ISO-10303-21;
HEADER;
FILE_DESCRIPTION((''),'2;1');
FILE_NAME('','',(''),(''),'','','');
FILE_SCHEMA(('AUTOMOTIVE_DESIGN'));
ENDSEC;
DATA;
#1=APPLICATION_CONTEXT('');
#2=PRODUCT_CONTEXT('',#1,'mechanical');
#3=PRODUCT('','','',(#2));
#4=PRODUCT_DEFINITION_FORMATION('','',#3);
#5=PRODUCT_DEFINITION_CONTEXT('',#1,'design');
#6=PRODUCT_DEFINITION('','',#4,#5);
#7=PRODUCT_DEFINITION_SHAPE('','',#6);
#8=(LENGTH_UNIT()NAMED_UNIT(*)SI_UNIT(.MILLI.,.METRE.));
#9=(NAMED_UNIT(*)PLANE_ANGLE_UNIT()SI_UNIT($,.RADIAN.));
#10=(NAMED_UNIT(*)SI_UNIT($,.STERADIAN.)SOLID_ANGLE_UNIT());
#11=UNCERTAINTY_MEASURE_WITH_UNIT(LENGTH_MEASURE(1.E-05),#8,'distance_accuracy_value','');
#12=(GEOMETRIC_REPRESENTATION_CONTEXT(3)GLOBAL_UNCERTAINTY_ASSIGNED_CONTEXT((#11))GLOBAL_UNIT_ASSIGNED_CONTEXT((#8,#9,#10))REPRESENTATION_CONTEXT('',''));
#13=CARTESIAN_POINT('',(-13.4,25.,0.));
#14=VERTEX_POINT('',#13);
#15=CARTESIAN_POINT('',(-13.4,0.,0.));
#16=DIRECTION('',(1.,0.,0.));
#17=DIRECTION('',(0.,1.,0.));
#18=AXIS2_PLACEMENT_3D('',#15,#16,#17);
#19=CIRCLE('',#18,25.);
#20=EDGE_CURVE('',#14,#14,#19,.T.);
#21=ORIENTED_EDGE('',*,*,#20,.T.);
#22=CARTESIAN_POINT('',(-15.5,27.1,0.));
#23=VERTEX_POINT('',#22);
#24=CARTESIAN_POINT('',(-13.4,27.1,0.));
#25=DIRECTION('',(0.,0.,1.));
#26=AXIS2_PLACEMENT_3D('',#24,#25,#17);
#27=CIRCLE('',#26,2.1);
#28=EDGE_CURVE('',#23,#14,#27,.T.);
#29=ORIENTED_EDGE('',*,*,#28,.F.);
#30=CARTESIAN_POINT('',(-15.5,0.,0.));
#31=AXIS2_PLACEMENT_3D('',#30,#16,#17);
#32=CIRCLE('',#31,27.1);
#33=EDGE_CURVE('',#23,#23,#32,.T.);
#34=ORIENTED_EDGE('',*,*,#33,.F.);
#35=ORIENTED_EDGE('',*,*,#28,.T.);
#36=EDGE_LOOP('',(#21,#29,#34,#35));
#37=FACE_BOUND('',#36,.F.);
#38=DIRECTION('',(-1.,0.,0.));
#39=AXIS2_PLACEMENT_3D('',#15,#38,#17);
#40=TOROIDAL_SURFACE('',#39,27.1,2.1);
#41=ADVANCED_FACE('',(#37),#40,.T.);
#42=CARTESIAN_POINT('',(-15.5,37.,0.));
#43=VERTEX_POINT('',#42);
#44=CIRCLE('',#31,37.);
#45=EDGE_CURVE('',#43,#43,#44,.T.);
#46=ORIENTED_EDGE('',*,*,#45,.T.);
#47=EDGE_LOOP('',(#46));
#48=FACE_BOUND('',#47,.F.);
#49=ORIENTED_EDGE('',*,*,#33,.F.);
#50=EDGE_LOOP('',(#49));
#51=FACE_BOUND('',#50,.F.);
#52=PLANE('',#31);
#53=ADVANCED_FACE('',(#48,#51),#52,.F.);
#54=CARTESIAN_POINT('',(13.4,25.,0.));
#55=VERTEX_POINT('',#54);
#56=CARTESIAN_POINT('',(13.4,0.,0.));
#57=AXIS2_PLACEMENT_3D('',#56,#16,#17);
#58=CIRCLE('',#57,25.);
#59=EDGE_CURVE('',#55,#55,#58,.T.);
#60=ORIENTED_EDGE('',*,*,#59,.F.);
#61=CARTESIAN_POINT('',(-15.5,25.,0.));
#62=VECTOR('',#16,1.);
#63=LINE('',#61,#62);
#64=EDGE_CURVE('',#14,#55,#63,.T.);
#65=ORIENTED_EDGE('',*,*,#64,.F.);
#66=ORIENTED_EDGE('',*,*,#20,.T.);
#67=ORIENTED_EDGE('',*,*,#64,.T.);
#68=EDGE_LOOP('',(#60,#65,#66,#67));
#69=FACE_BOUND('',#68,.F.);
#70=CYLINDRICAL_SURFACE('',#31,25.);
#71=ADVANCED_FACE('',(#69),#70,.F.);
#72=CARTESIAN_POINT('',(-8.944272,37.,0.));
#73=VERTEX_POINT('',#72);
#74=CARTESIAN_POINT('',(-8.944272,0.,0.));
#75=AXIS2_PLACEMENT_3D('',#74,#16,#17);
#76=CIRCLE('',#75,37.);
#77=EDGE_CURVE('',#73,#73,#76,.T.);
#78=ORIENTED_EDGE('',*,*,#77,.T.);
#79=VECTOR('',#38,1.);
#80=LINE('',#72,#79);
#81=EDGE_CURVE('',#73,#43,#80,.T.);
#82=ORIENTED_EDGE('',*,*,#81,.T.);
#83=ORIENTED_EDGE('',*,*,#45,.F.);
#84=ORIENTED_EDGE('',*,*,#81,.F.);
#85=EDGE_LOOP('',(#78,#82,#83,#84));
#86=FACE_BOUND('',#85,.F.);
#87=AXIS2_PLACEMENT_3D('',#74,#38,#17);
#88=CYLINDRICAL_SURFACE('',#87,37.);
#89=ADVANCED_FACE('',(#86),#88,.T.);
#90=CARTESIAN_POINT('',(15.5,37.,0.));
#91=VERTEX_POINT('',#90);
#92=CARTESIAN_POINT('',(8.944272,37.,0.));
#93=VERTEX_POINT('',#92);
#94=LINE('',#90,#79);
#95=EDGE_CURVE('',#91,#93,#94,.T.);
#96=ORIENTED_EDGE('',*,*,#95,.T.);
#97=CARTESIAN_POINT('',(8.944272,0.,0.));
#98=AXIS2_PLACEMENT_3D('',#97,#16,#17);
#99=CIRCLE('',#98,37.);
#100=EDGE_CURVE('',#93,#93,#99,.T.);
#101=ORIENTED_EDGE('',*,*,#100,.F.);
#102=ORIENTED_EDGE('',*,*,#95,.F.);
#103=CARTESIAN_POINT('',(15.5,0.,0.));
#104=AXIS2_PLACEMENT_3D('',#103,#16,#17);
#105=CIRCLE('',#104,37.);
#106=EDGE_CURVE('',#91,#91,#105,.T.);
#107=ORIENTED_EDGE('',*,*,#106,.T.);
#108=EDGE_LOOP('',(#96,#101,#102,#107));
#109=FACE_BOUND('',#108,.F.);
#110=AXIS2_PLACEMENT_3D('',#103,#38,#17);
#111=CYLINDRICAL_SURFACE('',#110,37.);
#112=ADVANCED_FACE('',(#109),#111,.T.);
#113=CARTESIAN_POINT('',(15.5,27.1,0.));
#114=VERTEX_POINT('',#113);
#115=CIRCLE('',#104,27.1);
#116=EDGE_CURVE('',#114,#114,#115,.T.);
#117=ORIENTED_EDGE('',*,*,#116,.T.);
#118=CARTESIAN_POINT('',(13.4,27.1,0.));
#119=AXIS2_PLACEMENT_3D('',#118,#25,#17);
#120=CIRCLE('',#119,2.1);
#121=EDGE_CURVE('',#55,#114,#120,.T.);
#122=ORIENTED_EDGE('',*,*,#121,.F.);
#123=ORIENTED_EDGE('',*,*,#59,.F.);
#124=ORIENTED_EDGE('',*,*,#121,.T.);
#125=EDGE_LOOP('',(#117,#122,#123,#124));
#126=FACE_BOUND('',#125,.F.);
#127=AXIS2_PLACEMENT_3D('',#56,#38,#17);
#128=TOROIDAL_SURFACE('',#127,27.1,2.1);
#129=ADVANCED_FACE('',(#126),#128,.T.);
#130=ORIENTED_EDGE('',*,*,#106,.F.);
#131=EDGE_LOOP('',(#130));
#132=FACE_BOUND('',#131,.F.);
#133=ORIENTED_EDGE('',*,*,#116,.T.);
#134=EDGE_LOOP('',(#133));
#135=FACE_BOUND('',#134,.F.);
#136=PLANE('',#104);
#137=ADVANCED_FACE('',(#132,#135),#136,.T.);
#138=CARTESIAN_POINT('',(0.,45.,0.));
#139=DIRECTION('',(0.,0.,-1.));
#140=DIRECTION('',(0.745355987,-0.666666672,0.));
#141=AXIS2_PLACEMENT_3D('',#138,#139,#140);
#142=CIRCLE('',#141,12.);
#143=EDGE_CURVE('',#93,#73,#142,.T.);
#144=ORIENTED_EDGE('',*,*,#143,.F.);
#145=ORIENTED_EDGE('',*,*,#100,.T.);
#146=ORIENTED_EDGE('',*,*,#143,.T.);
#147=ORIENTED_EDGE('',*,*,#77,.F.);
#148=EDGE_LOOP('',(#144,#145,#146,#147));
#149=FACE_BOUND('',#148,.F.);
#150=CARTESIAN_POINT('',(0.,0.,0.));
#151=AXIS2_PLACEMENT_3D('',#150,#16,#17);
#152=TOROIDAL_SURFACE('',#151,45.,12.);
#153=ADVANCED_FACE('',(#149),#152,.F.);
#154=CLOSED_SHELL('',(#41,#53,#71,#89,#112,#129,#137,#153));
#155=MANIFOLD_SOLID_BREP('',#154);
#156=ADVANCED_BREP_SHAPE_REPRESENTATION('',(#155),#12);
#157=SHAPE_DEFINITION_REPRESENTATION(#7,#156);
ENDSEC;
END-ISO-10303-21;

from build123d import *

# Parameters (mm, degrees)
F2_R = 2.1


with BuildPart() as f1:
    # F0 (on Top) → F1 (revolve)
    with BuildSketch(Plane.XY):
        with BuildLine():
            Line((-8.944272, 37), (-15.5, 37))
            Line((-15.5, 37), (-15.5, 25))
            Line((-15.5, 25), (15.5, 25))
            Line((15.5, 25), (15.5, 37))
            Line((15.5, 37), (8.944272, 37))
            ThreePointArc((8.944272, 37), (0, 33), (-8.944272, 37))
        make_face()
    revolve(axis=Axis((-1.149365, 0, 0), (1, 0, 0)))

    # F2
    f2_edges = [f1.edges().sort_by_distance(p)[0] for p in [
        (15.5, -25, 0),
        (-15.5, -25, 0),
    ]]
    fillet(f2_edges, radius=F2_R)


solid = f1.part
